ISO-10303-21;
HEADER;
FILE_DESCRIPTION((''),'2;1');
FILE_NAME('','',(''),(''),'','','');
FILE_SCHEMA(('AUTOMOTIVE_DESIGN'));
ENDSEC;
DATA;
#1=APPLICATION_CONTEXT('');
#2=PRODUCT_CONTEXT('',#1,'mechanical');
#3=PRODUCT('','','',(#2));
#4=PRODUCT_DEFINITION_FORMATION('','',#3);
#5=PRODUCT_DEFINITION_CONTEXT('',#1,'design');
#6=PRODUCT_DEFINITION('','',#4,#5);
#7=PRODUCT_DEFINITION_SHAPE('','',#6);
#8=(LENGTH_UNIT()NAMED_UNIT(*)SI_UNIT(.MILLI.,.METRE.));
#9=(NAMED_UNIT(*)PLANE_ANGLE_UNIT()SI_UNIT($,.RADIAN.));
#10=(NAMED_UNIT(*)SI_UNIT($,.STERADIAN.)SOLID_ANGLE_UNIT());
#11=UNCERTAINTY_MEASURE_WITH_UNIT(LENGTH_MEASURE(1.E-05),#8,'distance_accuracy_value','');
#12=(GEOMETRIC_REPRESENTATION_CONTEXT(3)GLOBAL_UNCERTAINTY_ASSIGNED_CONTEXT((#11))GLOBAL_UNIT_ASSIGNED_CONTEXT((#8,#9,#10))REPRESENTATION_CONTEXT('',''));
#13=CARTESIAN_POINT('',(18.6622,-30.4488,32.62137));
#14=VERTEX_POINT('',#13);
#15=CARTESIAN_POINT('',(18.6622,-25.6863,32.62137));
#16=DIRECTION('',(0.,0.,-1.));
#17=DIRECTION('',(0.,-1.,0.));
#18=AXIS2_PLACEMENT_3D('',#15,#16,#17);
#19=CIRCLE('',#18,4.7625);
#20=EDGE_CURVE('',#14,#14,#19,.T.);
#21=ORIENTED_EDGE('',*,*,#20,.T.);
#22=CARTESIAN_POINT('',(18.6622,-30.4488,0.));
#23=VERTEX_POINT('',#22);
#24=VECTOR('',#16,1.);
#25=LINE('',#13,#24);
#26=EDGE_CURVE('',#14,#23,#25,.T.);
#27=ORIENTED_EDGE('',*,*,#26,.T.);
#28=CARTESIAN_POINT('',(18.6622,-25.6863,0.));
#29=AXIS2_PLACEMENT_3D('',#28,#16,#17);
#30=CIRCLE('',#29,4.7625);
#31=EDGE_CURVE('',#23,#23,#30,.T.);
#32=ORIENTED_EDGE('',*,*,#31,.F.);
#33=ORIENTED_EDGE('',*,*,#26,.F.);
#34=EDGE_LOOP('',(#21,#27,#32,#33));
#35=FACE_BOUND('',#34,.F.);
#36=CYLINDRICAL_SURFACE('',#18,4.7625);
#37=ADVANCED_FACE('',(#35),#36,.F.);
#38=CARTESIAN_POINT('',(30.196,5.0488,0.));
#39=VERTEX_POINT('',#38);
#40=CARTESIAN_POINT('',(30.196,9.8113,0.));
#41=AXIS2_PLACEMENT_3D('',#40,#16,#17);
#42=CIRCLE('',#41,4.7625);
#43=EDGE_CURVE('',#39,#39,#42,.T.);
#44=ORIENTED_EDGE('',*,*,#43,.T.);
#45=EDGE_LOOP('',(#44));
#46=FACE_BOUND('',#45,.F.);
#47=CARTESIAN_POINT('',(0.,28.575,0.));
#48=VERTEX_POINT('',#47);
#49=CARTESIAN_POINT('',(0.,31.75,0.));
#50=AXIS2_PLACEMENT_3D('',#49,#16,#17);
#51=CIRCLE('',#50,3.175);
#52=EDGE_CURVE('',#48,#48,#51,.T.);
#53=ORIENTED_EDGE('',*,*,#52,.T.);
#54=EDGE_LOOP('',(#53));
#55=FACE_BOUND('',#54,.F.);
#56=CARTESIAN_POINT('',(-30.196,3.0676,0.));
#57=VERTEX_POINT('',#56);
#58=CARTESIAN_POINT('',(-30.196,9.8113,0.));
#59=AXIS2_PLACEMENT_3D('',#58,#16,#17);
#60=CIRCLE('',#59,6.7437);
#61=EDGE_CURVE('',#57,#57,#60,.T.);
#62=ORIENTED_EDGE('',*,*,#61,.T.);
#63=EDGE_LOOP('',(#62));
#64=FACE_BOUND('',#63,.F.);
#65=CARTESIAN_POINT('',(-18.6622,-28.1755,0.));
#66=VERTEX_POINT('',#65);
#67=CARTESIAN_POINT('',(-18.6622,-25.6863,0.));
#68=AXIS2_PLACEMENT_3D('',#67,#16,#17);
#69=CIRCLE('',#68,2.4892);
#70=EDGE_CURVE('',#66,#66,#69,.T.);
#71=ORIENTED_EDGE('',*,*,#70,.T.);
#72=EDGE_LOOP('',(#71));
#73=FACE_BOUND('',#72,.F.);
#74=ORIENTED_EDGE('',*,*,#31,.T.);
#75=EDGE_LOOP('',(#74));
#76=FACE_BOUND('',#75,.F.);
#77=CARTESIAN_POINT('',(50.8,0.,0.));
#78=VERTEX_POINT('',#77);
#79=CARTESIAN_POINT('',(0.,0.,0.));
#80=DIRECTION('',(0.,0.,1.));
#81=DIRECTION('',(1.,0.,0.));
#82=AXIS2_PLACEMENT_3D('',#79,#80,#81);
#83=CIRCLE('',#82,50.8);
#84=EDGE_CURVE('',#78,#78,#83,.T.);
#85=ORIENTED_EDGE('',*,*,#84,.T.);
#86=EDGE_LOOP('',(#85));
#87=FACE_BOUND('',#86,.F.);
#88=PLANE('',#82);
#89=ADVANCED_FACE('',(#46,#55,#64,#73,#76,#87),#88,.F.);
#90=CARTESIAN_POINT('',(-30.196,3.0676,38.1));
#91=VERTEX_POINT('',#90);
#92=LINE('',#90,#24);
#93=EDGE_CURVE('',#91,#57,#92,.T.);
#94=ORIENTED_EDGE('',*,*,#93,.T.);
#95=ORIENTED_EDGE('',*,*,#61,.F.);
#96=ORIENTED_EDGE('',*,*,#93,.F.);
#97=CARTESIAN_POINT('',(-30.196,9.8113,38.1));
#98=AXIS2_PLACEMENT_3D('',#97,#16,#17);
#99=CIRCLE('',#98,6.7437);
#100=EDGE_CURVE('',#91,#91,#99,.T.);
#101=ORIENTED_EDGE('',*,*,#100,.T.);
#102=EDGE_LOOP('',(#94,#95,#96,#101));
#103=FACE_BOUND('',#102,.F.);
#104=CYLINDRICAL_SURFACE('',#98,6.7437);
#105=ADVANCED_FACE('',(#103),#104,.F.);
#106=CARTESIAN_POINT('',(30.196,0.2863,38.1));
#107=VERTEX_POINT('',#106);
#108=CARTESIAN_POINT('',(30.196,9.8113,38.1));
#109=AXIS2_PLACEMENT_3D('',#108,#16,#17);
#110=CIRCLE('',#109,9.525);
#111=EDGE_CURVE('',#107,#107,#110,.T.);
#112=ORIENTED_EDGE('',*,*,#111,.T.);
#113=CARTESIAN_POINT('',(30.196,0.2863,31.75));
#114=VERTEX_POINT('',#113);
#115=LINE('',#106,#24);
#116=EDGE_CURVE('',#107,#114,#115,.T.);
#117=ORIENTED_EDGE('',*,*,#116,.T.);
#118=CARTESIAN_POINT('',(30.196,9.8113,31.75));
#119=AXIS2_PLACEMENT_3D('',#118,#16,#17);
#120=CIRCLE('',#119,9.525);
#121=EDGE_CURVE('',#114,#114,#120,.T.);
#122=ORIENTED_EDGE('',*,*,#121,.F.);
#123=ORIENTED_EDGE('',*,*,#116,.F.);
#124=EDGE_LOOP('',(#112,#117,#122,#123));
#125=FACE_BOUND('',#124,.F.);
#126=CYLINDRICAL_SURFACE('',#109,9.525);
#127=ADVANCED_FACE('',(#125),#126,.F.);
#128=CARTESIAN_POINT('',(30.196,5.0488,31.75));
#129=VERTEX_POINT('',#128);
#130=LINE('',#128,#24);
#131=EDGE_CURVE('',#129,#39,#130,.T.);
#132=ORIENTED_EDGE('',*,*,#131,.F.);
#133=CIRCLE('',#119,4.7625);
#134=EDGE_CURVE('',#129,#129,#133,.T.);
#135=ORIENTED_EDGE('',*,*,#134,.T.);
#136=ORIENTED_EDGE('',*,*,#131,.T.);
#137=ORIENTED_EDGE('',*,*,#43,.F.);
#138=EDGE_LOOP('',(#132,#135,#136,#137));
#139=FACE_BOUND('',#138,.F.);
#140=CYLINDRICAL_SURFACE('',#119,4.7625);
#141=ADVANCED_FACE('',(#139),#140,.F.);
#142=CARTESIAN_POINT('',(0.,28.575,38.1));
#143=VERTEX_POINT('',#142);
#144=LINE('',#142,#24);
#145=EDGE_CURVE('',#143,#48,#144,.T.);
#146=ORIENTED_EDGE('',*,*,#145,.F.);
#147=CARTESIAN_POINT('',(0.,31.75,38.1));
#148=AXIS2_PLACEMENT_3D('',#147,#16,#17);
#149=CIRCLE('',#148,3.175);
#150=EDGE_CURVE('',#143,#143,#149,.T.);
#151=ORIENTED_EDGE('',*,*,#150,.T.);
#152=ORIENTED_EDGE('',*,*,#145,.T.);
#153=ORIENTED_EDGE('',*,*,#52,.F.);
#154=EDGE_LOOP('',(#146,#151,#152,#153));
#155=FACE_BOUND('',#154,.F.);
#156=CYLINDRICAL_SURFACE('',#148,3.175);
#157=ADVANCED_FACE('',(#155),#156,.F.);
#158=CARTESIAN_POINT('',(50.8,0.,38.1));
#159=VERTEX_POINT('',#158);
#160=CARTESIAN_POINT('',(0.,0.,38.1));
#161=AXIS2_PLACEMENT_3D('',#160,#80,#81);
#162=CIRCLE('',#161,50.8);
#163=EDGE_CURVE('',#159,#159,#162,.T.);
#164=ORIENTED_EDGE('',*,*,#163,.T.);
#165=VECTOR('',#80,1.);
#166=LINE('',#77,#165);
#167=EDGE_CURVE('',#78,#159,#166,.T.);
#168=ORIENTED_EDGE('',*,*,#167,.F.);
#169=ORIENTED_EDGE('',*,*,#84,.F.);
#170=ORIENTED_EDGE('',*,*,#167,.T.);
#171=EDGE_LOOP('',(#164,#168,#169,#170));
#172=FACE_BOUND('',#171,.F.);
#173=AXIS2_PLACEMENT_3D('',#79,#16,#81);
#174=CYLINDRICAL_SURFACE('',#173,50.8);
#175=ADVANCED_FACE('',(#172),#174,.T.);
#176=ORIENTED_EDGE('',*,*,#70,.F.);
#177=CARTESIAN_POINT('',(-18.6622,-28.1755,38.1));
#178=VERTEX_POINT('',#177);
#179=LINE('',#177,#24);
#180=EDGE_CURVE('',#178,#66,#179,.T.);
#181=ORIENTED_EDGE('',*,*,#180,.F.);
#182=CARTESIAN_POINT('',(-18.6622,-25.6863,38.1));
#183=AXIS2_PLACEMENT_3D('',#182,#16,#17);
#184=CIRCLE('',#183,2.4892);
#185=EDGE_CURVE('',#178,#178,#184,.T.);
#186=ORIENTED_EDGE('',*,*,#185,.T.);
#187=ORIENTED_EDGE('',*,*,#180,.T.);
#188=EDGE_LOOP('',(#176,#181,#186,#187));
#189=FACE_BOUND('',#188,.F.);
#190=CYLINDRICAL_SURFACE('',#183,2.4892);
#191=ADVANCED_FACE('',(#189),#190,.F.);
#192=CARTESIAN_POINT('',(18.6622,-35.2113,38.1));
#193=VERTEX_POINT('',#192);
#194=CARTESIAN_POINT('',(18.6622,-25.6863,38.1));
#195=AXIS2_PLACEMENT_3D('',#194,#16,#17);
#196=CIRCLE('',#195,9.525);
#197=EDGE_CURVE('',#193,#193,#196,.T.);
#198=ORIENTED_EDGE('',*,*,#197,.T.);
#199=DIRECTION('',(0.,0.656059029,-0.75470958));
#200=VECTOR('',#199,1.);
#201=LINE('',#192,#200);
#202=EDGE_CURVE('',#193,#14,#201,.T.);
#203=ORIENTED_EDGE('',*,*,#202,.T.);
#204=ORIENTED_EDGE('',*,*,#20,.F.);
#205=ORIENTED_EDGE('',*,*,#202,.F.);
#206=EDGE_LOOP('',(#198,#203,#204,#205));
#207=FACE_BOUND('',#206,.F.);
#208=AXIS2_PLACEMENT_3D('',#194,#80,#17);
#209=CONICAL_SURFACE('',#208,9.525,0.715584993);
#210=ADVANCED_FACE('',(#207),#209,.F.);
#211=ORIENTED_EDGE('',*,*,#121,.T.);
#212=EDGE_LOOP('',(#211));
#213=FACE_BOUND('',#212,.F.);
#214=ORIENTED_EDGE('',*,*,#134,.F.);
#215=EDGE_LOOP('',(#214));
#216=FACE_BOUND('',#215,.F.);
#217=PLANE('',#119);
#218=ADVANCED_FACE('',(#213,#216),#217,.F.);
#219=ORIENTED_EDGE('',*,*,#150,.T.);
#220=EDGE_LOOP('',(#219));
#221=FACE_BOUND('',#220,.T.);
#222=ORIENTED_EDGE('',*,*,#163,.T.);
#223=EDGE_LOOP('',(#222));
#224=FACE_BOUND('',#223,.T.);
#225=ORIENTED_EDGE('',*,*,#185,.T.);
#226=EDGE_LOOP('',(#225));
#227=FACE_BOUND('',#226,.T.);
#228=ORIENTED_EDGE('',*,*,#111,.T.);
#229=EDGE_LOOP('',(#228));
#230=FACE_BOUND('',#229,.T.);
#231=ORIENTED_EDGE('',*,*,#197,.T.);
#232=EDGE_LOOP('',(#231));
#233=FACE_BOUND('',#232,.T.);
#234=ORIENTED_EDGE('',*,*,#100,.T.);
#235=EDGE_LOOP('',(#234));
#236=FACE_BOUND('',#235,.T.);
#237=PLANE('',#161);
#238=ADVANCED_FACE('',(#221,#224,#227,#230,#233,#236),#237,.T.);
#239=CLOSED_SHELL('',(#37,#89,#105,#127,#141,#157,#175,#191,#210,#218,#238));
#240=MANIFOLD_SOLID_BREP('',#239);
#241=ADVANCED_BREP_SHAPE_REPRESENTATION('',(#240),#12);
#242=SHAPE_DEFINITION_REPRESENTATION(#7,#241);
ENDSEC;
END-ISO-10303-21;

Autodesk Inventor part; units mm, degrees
ref_plane "YZ Plane" through (0, 0, 0) normal (1, 0, 0) x (0, 1, 0)
ref_plane "XZ Plane" through (0, 0, 0) normal (0, 1, 0) x (-1, 0, 0)
ref_plane "XY Plane" through (0, 0, 0) normal (0, 0, 1) x (1, 0, 0)
sketch "Sketch1" plane through (0, 0, 0) normal (0, 0, 1) x (1, 0, 0)
  circle A0 centre (0, 0) radius 50.8
  dimension "d0" = 101.6
extrude "Extrusion1" add sketch "Sketch1" along normal blind 38.1
sketch "Sketch2" plane through (0, 0, 38.1) normal (0, 0, 1) x (1, 0, 0)
  point P0 (0, 0)
  point P1 (0, 31.75)
  point P2 (-30.196, 9.8113)
  point P3 (-18.6622, -25.6863)
  point P4 (18.6622, -25.6863)
  point P5 (30.196, 9.8113)
  dimension "d5" = 360
hole "Hole1" at (0, 31.75, 38.1) direction (0, 0, -1) diameter 6.35 depth 25.4 tip angle 118
hole "Hole2" at (30.196, 9.8113, 38.1) direction (0, 0, -1) diameter 9.525 depth 25.4 tip angle 118 counterbore diameter 19.05 counterbore depth 6.35
hole "Hole3" at (18.6622, -25.6863, 38.1) direction (0, 0, -1) diameter 9.525 end through all countersink diameter 19.05 countersink angle 82
hole "Hole4" at (-18.6622, -25.6863, 38.1) direction (0, 0, -1) diameter 4.9784 depth 19.05 tip angle 118 thread size "1/4-20 UNC" class "1B" standard "ANSI Unified Screw Threads"
hole "Hole5" at (-30.196, 9.8113, 38.1) direction (0, 0, -1) diameter 13.4874 end through all clearance for "Hex Head Bolt" size "1/2" standard "Ansi Unified Screw Threads"
hole "Hole6" at (0, 31.75, 38.1) direction (0, 0, -1) diameter 6.35 end through all
hole "Hole7" at (30.196, 9.8113, 38.1) direction (0, 0, -1) diameter 9.525 end through all counterbore diameter 19.05 counterbore depth 6.35
hole "Hole8" at (-18.6622, -25.6863, 38.1) direction (0, 0, -1) diameter 4.9784 end through all thread size "1/4-20 UNC" class "1B" standard "ANSI Unified Screw Threads"
properties part number "circular patter"
